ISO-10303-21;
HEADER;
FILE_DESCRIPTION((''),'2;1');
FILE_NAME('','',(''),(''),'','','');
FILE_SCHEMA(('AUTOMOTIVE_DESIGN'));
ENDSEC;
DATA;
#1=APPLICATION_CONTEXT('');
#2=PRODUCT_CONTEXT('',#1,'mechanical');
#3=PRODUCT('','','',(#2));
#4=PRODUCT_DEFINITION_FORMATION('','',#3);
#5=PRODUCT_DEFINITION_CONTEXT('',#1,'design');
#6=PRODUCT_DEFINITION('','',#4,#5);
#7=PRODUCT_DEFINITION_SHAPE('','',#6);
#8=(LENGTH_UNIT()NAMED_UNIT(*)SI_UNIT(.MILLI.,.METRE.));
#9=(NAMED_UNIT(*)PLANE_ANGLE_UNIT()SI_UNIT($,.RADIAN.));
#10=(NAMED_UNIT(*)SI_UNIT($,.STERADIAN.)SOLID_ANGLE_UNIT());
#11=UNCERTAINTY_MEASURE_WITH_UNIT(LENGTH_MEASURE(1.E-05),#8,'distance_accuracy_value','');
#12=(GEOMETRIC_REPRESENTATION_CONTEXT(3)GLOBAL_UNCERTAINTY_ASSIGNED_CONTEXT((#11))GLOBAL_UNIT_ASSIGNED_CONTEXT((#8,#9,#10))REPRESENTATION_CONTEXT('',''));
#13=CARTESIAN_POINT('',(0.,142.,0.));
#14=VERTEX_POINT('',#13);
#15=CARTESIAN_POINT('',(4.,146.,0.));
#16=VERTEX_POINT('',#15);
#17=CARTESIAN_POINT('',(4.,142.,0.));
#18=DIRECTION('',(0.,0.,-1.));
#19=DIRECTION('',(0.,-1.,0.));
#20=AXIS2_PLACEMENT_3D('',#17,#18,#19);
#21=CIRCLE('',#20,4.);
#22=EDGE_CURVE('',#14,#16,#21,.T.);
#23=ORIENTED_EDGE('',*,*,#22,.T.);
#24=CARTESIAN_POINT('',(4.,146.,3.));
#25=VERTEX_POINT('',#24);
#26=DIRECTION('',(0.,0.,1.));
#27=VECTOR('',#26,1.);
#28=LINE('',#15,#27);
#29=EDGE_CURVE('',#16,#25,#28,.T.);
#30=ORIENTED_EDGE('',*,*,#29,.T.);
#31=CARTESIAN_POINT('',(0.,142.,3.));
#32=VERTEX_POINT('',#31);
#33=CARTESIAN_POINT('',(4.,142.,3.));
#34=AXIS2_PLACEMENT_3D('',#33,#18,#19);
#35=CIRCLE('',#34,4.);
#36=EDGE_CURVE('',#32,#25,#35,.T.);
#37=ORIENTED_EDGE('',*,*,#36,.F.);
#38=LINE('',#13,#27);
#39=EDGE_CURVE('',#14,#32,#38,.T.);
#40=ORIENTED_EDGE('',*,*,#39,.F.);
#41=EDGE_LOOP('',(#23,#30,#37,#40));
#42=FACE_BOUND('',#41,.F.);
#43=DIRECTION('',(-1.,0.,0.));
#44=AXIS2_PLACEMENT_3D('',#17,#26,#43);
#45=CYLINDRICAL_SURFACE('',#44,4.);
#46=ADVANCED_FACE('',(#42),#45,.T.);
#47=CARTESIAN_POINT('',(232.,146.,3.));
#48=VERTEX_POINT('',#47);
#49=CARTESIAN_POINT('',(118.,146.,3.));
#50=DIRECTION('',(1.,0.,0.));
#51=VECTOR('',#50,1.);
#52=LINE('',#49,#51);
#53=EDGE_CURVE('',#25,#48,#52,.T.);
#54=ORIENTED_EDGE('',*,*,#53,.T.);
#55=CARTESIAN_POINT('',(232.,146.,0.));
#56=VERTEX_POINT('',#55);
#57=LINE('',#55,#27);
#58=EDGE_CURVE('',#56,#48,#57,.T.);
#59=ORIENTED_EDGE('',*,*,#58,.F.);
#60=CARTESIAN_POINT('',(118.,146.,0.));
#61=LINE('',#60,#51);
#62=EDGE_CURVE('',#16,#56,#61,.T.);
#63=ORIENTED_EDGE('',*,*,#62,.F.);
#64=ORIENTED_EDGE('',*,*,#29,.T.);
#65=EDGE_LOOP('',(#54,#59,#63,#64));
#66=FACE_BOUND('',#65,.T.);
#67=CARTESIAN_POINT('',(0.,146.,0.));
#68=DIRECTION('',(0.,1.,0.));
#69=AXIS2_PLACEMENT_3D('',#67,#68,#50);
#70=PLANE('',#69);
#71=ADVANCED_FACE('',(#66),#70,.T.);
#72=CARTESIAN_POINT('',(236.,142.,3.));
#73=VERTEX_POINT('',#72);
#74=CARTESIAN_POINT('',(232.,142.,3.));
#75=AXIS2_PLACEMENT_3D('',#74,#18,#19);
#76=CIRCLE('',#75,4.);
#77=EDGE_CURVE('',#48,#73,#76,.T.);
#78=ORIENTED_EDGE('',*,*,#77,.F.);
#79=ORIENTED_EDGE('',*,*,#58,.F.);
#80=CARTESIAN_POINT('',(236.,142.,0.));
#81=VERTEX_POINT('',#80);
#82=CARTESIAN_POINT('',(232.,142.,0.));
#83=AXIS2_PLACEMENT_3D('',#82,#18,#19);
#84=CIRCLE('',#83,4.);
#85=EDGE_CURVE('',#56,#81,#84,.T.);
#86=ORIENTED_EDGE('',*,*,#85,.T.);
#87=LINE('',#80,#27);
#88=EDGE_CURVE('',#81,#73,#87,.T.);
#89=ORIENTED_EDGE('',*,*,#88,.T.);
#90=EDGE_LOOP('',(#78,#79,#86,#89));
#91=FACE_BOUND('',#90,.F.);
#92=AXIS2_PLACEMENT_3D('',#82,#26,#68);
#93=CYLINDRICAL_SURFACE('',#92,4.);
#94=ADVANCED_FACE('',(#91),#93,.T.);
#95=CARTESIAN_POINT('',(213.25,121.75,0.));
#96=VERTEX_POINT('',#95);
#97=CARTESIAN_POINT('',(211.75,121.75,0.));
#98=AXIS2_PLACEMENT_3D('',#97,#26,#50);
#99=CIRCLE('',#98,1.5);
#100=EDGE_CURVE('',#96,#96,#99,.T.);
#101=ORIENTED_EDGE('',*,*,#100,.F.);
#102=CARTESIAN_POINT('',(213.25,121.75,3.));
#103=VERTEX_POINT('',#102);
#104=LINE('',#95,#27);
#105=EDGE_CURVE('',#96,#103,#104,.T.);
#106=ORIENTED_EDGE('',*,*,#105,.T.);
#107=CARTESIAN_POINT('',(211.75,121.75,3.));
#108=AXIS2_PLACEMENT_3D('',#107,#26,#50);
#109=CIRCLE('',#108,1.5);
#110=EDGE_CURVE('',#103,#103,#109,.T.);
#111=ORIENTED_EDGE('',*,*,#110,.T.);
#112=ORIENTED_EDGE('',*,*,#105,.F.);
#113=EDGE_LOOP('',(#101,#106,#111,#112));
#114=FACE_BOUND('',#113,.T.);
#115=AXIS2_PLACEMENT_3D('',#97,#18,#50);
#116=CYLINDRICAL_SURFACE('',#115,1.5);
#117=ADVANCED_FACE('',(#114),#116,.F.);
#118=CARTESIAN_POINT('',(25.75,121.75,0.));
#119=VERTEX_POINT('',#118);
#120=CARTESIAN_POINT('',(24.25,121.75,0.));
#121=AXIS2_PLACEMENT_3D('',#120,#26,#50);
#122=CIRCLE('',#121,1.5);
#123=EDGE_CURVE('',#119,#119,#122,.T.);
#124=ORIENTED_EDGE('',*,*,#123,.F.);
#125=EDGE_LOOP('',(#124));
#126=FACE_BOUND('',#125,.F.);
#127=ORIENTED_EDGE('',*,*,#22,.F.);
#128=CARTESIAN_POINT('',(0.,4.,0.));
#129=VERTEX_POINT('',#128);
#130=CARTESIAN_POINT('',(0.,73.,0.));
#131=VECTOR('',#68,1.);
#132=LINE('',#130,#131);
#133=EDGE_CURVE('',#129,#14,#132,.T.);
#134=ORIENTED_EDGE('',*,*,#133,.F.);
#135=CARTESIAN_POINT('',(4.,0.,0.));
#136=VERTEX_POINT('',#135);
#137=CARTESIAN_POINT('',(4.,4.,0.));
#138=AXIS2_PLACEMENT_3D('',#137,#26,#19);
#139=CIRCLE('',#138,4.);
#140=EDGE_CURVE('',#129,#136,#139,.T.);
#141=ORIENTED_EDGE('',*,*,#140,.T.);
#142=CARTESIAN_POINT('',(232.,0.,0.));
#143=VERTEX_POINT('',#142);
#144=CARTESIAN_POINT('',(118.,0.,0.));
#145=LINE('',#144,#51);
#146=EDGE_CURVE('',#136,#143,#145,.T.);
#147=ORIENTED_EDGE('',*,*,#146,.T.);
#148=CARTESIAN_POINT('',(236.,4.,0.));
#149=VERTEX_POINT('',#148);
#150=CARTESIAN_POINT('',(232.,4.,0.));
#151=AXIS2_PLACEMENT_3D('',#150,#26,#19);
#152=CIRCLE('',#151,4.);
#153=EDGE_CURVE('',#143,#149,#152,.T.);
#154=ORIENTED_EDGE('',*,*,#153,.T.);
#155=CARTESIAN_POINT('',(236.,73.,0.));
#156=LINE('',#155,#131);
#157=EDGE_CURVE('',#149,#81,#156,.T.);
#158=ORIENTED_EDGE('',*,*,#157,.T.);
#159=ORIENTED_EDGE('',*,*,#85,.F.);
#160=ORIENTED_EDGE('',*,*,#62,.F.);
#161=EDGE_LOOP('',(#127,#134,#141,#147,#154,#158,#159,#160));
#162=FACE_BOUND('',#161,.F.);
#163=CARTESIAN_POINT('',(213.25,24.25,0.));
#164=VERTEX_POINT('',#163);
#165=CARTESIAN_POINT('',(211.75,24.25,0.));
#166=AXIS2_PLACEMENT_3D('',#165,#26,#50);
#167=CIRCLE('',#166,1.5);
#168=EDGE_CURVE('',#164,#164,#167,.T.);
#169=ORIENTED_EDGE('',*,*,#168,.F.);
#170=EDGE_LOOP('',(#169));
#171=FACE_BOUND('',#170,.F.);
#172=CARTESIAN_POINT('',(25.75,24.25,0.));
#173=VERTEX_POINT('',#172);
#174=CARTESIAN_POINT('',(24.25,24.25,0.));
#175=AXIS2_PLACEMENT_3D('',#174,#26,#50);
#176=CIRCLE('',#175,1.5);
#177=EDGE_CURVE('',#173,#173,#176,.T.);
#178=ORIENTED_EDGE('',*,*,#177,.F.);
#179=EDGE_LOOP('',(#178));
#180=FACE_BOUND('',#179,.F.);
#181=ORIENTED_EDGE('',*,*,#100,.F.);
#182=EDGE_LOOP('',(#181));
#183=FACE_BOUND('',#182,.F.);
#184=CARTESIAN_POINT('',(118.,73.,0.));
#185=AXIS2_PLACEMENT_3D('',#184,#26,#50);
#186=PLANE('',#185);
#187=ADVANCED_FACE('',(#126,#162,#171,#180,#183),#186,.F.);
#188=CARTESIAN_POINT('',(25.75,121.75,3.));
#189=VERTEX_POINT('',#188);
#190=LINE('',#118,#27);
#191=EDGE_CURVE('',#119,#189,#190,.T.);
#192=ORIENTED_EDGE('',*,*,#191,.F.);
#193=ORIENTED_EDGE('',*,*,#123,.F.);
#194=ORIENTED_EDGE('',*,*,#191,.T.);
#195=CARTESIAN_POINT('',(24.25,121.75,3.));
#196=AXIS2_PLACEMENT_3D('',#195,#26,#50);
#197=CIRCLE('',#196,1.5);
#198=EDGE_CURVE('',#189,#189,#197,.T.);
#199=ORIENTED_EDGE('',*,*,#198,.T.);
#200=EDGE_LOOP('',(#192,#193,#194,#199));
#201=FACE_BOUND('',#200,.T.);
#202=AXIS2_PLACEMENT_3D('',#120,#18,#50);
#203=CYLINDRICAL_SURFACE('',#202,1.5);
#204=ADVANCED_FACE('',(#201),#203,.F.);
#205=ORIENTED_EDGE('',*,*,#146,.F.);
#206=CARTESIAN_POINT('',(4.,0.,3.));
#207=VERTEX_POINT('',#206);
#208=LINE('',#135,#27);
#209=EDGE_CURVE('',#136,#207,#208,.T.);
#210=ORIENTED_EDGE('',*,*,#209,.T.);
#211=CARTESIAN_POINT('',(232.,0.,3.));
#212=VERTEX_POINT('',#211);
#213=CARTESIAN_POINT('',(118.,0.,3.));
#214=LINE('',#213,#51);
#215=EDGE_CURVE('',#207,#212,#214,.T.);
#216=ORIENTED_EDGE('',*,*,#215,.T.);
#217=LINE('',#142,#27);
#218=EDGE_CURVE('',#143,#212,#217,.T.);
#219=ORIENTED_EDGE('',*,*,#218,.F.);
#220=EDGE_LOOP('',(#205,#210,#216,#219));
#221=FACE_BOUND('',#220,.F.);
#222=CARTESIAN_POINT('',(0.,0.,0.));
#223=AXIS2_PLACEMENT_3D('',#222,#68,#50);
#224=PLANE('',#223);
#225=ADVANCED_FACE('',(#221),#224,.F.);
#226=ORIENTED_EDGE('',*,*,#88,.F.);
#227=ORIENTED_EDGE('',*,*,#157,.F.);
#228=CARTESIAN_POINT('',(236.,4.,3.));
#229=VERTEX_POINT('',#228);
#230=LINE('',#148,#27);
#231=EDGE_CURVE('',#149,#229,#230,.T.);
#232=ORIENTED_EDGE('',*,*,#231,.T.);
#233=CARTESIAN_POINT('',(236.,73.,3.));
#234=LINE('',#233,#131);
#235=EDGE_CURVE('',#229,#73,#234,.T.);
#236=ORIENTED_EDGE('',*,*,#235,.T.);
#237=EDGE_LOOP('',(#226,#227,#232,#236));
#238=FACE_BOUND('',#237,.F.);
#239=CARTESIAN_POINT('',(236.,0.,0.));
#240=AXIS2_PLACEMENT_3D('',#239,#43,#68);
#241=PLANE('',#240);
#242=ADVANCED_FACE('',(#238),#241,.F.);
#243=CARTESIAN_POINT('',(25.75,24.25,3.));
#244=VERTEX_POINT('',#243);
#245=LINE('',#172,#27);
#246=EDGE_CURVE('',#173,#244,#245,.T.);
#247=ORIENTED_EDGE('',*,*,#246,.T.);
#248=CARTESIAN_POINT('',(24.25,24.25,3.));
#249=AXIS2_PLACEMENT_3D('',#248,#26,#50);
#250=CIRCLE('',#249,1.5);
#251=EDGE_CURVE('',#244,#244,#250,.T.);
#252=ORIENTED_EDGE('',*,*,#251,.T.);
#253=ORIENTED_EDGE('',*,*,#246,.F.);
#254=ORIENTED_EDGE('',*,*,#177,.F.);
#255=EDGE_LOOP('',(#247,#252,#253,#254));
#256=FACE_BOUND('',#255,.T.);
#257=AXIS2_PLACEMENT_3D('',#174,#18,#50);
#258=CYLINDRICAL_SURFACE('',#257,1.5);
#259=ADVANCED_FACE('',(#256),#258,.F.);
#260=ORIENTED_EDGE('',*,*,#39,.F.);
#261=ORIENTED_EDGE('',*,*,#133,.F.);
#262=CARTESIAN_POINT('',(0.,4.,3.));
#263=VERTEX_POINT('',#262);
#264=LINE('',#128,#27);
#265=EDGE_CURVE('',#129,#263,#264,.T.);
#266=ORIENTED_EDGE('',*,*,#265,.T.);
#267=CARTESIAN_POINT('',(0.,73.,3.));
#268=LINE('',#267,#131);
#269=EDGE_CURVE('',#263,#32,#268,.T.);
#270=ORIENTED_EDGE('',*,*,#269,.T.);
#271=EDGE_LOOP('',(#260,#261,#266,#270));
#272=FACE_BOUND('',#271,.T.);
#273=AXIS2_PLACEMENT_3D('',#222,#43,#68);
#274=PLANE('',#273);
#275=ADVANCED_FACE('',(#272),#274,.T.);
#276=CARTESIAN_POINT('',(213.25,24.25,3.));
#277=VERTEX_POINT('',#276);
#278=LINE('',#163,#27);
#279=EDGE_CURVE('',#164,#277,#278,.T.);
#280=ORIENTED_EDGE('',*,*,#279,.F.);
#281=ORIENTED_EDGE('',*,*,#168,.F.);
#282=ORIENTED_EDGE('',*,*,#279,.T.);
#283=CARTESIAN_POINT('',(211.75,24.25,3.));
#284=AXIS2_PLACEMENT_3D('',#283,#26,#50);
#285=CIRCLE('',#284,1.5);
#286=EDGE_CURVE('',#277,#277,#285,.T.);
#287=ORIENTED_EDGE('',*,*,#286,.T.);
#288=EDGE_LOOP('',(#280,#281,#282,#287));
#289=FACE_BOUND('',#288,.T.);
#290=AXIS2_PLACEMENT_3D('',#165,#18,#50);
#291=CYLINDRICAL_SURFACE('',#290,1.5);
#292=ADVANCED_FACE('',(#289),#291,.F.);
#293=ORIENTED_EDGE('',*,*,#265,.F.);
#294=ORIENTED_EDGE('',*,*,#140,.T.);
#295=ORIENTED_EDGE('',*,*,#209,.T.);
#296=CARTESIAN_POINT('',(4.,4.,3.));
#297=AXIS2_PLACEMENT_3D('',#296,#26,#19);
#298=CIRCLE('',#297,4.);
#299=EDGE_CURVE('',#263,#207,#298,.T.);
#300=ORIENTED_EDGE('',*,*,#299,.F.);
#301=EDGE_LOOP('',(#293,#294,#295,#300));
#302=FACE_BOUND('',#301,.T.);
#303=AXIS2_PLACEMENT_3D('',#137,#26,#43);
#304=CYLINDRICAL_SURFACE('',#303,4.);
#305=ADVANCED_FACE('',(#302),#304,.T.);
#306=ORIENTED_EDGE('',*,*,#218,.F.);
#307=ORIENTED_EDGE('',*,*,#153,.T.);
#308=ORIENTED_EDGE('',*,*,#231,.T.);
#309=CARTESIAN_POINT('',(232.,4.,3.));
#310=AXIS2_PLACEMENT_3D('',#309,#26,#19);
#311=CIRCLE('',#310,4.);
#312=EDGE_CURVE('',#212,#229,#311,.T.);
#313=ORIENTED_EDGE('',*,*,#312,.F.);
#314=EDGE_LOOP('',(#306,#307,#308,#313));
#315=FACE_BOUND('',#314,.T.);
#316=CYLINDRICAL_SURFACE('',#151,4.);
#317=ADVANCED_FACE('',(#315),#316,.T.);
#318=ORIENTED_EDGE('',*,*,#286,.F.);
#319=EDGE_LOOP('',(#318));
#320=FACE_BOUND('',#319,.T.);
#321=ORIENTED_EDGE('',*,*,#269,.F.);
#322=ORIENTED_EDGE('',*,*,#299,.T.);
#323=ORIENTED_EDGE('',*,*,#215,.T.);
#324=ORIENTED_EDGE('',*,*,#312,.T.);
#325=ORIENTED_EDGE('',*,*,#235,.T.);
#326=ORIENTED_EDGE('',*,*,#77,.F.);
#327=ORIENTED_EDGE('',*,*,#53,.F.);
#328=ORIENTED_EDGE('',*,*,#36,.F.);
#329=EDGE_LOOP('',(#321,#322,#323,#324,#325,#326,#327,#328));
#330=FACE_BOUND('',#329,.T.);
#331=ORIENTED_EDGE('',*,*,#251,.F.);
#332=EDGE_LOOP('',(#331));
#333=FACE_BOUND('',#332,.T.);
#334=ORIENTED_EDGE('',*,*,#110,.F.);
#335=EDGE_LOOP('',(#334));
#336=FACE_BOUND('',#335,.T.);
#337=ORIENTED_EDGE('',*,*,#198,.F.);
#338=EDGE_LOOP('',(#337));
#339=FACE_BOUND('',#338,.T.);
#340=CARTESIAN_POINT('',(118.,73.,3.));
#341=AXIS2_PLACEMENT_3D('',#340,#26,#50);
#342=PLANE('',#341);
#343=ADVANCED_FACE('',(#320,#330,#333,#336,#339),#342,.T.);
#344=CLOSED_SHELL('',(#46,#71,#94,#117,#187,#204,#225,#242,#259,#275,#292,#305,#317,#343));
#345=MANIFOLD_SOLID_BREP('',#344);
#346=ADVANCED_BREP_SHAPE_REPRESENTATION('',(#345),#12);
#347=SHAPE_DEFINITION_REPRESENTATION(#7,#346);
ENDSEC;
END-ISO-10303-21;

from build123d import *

# Parameters (mm, degrees)
F1_W     = 236
F1_H     = 146
F1_R     = 1.5
F2_DEPTH = 3
F3_R     = 4


with BuildPart() as f2:
    # F1 (on Top) → F2 (new body)
    with BuildSketch(Plane.XY):
        with Locations((118, 73)):
            Rectangle(F1_W, F1_H)
        with Locations((24.25, 24.25)):
            Circle(F1_R, mode=Mode.SUBTRACT)
        with Locations((211.75, 24.25)):
            Circle(F1_R, mode=Mode.SUBTRACT)
        with Locations((24.25, 121.75)):
            Circle(F1_R, mode=Mode.SUBTRACT)
        with Locations((211.75, 121.75)):
            Circle(F1_R, mode=Mode.SUBTRACT)
    extrude(amount=F2_DEPTH)

    # F3
    f3_edges = [f2.edges().sort_by_distance(p)[0] for p in [
        (0, 0, 1.5),
        (0, 146, 1.5),
        (236, 146, 1.5),
        (236, 0, 1.5),
    ]]
    fillet(f3_edges, radius=F3_R)


solid = f2.part
